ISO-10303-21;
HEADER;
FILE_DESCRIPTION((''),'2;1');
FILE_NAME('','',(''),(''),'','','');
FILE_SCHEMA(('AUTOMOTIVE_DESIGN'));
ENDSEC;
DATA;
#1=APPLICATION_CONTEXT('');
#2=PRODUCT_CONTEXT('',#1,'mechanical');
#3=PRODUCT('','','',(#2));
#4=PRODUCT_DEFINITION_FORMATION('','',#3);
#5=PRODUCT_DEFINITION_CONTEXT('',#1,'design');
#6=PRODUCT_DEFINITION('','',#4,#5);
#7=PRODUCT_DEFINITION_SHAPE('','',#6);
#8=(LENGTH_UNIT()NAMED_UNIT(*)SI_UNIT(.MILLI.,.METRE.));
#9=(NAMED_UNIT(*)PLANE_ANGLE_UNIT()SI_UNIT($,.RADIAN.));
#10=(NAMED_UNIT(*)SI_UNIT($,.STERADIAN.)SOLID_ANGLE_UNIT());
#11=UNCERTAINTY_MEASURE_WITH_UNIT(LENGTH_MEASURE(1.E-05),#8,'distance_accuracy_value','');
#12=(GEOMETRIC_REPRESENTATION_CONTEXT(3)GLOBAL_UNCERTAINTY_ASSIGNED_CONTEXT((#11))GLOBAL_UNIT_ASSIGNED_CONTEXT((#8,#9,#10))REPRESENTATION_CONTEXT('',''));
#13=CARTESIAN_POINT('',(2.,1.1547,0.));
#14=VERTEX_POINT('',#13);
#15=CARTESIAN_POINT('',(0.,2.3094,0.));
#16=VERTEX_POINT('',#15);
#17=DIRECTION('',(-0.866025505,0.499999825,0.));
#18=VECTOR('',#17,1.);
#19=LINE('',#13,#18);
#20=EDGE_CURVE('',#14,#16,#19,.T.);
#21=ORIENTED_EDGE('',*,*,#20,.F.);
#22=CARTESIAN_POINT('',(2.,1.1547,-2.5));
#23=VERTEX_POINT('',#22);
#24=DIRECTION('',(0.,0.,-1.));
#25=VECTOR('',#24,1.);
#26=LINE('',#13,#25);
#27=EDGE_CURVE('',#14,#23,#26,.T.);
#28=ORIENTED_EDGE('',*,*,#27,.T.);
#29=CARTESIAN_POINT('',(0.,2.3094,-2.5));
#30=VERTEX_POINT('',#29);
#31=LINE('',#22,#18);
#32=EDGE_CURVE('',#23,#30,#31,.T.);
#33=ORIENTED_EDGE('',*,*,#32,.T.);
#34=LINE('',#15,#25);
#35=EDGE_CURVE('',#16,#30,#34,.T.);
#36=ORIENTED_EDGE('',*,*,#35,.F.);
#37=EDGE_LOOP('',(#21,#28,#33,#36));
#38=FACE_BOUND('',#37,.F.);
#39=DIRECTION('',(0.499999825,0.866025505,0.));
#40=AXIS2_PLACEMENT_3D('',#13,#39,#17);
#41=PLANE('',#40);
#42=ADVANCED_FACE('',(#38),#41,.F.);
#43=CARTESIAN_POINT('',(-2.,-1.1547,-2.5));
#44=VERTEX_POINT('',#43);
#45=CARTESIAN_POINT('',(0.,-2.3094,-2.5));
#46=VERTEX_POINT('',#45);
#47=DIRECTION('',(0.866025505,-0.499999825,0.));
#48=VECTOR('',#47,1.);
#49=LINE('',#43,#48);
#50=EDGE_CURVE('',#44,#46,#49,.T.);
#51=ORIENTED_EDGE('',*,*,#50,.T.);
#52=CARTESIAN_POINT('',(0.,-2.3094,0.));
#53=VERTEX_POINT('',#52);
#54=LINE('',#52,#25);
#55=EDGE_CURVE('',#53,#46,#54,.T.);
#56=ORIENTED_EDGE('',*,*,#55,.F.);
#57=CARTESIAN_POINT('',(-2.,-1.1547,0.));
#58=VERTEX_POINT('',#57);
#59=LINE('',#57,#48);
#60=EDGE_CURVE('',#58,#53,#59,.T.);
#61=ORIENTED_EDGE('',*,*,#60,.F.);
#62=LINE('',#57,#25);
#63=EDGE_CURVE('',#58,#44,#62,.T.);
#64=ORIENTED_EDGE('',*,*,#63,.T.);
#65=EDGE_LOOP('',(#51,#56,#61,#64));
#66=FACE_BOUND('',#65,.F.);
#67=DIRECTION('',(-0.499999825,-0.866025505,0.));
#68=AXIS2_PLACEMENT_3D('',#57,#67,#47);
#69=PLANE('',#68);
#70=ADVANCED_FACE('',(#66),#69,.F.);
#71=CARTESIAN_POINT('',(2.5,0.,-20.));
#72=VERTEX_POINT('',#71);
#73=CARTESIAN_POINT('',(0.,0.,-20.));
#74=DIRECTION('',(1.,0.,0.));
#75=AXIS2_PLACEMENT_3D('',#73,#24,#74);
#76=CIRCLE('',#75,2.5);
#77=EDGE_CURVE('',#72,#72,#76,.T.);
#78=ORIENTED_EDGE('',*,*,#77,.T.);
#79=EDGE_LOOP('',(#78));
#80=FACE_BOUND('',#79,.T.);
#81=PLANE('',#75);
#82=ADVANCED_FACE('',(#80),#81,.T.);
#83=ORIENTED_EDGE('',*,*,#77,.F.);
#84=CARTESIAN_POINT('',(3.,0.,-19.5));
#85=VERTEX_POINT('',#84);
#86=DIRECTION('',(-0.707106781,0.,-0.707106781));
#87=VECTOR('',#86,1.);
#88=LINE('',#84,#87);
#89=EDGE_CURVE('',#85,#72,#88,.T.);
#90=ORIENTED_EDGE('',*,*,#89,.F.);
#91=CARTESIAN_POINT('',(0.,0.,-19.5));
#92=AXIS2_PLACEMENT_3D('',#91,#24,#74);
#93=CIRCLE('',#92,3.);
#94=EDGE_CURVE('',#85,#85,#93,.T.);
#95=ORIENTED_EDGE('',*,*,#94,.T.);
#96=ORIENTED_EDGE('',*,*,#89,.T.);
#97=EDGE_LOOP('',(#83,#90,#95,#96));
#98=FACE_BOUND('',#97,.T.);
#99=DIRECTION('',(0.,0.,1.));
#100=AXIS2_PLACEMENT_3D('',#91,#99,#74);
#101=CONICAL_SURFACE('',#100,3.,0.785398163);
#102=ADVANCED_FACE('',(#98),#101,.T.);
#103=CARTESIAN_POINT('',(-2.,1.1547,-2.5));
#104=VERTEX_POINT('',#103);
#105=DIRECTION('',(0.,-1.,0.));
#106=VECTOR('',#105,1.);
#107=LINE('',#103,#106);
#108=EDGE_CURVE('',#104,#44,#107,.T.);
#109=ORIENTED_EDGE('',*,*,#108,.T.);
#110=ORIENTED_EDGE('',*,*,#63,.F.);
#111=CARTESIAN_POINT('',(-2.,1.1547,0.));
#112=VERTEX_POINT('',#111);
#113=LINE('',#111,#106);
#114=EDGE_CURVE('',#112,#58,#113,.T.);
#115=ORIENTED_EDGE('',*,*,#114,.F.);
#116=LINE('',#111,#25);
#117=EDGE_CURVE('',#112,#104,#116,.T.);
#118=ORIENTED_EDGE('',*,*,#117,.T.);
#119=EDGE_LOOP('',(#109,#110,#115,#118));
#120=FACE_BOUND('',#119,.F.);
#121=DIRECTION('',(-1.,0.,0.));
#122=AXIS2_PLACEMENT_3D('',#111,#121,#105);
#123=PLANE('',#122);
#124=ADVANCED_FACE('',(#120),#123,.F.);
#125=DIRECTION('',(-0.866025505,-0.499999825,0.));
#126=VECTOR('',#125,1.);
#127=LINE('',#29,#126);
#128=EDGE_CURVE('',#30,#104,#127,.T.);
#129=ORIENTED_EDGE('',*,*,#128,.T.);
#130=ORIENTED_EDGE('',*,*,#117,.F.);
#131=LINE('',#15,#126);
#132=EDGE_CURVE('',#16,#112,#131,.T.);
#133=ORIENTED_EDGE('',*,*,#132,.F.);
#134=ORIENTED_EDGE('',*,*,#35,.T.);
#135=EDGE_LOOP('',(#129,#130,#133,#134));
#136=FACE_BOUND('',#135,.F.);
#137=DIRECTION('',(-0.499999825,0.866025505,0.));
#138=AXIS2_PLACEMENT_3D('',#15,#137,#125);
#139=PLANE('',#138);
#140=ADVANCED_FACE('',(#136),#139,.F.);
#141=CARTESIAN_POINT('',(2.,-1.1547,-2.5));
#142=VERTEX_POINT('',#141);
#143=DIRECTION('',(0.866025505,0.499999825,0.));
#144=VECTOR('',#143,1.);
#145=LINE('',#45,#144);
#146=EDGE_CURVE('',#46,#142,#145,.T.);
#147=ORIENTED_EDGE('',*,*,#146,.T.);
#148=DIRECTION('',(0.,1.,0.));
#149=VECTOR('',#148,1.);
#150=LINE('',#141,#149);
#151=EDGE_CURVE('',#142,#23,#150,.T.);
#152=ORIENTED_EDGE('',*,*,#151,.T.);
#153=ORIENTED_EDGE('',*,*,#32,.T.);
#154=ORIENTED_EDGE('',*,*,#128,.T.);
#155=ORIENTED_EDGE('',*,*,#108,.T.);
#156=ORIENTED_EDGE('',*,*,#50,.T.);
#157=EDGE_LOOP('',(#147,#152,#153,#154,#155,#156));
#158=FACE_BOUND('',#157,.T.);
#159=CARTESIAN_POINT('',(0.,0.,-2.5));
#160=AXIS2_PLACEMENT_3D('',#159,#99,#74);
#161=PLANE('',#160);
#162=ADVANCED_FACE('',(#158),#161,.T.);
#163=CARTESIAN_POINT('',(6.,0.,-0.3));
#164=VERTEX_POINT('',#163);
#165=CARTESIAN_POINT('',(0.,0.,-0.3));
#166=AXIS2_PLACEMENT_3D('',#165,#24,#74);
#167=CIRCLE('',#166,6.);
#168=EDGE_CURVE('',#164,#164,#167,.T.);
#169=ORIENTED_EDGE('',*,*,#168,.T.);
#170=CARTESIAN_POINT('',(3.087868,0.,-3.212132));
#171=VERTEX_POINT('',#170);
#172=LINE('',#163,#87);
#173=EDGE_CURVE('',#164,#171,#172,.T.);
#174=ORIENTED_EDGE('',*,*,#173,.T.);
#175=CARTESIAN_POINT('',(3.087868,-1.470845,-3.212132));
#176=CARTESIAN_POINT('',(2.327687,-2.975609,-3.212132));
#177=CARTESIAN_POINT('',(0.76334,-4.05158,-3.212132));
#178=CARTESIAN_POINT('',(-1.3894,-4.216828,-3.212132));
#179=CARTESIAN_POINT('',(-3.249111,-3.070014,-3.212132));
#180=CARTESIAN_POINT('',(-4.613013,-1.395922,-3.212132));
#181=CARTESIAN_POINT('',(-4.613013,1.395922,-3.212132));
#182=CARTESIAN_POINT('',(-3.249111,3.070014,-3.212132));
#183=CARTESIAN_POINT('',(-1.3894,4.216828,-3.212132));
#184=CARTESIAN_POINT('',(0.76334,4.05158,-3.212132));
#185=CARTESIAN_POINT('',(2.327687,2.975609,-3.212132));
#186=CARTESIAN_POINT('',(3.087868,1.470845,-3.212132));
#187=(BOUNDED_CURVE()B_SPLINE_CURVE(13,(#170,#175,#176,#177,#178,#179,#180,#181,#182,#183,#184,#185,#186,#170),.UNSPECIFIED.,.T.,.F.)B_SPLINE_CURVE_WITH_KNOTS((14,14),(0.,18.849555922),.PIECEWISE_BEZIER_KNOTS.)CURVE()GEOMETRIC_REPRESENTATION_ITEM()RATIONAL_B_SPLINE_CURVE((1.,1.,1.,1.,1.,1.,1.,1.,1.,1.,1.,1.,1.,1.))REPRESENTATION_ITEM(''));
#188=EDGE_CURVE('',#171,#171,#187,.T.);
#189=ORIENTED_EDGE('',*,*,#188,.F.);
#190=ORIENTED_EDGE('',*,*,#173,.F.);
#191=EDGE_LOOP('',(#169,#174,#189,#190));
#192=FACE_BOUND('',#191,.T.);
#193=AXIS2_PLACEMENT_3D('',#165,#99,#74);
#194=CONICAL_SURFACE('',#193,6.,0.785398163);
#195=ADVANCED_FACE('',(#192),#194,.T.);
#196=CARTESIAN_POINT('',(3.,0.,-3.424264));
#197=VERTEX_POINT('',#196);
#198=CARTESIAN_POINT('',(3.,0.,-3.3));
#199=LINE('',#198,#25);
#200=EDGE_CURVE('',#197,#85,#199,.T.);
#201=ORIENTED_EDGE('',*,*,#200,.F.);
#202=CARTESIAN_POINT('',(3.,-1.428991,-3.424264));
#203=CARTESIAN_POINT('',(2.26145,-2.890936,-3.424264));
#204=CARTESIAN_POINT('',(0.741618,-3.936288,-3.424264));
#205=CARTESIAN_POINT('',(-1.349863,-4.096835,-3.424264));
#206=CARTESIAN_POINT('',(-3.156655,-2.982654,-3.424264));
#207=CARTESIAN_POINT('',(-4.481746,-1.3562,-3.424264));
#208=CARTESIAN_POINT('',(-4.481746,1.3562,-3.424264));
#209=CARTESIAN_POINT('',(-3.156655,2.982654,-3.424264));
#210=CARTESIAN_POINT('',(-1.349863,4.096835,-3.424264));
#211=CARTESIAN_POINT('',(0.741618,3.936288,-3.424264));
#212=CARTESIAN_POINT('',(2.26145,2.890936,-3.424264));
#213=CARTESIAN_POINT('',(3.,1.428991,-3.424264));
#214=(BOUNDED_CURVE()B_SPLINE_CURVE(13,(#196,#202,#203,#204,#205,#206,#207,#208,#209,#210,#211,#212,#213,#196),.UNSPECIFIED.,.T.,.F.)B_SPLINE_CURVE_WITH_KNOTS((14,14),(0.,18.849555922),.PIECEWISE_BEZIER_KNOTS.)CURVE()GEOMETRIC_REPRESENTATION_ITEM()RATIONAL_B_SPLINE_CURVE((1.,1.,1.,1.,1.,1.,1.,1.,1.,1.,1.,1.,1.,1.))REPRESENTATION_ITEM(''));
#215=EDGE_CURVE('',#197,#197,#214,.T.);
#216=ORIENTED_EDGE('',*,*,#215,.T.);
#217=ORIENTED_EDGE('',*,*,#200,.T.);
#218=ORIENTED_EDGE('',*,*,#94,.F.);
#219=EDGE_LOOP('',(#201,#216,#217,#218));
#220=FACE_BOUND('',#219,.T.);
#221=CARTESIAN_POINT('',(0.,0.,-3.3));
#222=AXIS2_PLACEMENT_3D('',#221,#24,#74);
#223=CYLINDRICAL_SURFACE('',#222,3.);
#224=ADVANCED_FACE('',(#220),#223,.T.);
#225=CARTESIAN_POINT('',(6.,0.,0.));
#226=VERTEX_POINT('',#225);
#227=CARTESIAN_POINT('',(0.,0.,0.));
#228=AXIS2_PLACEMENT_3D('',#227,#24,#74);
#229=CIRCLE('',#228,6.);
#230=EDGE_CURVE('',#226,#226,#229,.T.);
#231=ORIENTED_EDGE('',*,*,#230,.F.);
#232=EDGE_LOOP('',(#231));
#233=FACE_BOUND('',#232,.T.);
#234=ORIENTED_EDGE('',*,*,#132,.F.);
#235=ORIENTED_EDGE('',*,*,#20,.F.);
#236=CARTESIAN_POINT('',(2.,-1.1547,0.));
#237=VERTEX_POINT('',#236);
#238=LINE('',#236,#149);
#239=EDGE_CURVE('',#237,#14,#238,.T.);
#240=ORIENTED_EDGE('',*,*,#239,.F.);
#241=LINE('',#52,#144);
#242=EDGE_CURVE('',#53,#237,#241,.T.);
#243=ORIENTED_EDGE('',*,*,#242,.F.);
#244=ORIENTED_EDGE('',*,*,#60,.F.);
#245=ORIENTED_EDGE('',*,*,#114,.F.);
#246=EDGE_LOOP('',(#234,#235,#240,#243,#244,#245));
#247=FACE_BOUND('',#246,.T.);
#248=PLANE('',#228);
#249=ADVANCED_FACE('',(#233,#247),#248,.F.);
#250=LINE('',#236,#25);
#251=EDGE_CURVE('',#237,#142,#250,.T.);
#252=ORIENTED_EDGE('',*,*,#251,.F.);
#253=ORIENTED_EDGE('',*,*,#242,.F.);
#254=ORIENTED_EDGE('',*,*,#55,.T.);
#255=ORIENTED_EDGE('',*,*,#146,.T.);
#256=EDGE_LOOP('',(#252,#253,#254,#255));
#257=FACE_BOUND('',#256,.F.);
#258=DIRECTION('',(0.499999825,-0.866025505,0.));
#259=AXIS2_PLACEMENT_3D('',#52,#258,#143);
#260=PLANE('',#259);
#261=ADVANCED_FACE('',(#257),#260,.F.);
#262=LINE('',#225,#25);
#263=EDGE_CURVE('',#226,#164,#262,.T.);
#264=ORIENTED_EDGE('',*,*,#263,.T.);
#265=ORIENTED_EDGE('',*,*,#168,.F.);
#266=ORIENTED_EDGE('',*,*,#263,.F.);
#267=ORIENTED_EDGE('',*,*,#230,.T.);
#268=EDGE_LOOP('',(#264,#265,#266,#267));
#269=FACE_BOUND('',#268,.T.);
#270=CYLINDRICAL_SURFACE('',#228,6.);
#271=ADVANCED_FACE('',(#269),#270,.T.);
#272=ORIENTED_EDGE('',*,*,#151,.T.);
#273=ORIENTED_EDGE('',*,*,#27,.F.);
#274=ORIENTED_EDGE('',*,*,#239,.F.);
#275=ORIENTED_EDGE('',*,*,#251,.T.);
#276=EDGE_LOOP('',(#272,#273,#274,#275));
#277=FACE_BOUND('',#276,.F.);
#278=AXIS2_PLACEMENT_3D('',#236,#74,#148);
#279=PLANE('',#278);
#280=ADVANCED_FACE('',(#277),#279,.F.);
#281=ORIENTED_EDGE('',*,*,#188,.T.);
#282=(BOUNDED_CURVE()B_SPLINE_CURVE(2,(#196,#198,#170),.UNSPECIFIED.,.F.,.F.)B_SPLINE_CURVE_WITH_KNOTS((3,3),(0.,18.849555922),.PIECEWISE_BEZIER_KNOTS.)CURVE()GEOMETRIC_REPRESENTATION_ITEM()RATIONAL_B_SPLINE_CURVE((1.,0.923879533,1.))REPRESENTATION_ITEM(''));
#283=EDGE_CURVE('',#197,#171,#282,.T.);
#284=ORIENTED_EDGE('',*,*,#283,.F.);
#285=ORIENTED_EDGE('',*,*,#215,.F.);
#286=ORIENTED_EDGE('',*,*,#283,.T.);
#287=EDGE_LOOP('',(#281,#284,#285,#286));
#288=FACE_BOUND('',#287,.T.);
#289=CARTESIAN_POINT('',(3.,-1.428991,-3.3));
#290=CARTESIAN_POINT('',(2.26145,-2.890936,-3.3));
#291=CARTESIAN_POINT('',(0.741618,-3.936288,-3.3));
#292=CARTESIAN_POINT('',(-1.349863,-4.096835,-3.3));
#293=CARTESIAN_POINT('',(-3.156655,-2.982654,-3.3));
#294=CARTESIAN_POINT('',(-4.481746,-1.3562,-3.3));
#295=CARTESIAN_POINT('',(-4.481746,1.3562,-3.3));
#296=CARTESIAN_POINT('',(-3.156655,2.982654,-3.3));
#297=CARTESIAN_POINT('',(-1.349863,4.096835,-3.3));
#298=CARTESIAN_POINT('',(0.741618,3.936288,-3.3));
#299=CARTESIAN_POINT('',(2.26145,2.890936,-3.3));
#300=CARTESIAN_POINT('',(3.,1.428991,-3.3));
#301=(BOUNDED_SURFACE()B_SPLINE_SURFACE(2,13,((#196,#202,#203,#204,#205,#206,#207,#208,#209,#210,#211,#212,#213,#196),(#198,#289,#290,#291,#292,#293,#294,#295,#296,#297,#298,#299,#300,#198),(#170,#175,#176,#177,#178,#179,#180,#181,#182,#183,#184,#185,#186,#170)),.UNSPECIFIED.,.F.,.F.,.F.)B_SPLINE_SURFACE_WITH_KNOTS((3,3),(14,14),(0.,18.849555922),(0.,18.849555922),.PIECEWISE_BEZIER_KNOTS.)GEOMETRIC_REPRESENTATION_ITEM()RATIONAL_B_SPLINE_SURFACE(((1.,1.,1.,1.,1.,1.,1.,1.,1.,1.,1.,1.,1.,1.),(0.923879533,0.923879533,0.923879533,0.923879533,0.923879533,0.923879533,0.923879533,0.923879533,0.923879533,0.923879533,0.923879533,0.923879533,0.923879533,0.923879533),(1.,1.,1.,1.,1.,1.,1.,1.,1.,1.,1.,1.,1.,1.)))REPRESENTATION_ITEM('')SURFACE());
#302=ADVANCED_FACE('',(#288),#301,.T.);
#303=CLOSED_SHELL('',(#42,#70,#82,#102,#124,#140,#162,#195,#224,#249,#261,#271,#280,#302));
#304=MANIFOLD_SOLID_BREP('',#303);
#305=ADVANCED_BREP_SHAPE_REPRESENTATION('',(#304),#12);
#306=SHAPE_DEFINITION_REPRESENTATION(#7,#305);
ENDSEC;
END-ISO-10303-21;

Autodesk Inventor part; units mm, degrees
ref_plane "YZ Plane" through (0, 0, 0) normal (1, 0, 0) x (0, 1, 0)
sketch "Sketch1" plane through (0, 0, 0) normal (0, 1, 0) x (-1, 0, 0)
  point P0 (0, 0)
sketch "Sketch2" plane through (0, 0, 0) normal (0, 1, 0) x (-1, 0, 0)
  line L0 (-3, -20) -> (0, -20)
  line L1 (-3, -3.3) -> (-3, -20)
  line L2 (-6, -0.3) -> (-3, -3.3)
  line L3 (-6, 0) -> (-6, -0.3)
  line L4 (0, 0) -> (-6, 0)
  line L5 (0, -20) -> (0, 0)
  line L6 (0, -20) -> (0, 0)
  line L7 (0, -24) -> (0, 4) projected
  line L8 (1.2, 0) -> (-7.2, 0) projected
  dimension "d3" = 6
  dimension "d5" = 3
  dimension "d7" = 20
  dimension "ParC" = 0.3
  dimension "d22" = 0
  dimension "d23" = 0
  dimension "d43" = 45
revolve "Revolution1" add sketch "Sketch2" angle 360 about axis through (0, 0, -20) along (0, 0, -1)
sketch "Sketch3" plane through (0, 0, 0) normal (0, 0, 1) x (1, 0, 0)
  line L0 (-2, 1.1547) -> (-2, -1.1547)
  line L1 (0, 2.3094) -> (-2, 1.1547)
  line L2 (2, 1.1547) -> (0, 2.3094)
  line L3 (2, -1.1547) -> (2, 1.1547)
  line L4 (0, -2.3094) -> (2, -1.1547)
  line L5 (-2, -1.1547) -> (0, -2.3094)
  circle A0 centre (0, 0) radius 2 construction
  circle A1 centre (0, 0) radius 3 construction
  dimension "d11" = 4
  dimension "d13" = 120
  dimension "d15" = 120
extrude "Extrusion1" cut sketch "Sketch3" against normal blind 2.5
fillet "Fillet1" radius 0.3 1 edges at (-3, 0, -3.3)
chamfer "Chamfer1" distance 0.5 angle 45 1 edges at (-3, 0, -20) measured on face at (2.4612, -1.7154, -14.4748)
thread "Thread1" size "M6x1" class "6g" standard "ISO Metric profile" length 18
ref_plane "MSC_PF1" through (0, 0, 0) normal (1, 0, 0) x (0, 1, 0)
ref_plane "MSC_PT1" through (0, 0, 0) normal (0, 0, -1) x (-1, 0, 0)
equation "\"d3\" = 0.5 * dk"
equation "\"d5\" = 0.5 * NND"
equation "\"d43\" = 0.5 * ang"
equation "\"d18\" = r"
equation "\"d19\" = 0.5 * PTC"
equation "\"d39\" = 0.5 * PTC"
equation "\"d11\" = ParS"
equation "\"d16\" = ParT"
equation "\"NND\" = 6"
equation "\"PTC\" = 1"
equation "\"dk\" = 12"
equation "\"ParK\" = 3.3"
equation "\"ParS\" = 4"
equation "\"ParT\" = 2.5"
equation "\"r\" = 0.3"
equation "\"NLG\" = 25"
equation "\"ang\" = 90deg"
equation "\"THREADDIA\" = NND"
properties part number "CSK Allen Key 6x20mm" material "Steel, Mild"
